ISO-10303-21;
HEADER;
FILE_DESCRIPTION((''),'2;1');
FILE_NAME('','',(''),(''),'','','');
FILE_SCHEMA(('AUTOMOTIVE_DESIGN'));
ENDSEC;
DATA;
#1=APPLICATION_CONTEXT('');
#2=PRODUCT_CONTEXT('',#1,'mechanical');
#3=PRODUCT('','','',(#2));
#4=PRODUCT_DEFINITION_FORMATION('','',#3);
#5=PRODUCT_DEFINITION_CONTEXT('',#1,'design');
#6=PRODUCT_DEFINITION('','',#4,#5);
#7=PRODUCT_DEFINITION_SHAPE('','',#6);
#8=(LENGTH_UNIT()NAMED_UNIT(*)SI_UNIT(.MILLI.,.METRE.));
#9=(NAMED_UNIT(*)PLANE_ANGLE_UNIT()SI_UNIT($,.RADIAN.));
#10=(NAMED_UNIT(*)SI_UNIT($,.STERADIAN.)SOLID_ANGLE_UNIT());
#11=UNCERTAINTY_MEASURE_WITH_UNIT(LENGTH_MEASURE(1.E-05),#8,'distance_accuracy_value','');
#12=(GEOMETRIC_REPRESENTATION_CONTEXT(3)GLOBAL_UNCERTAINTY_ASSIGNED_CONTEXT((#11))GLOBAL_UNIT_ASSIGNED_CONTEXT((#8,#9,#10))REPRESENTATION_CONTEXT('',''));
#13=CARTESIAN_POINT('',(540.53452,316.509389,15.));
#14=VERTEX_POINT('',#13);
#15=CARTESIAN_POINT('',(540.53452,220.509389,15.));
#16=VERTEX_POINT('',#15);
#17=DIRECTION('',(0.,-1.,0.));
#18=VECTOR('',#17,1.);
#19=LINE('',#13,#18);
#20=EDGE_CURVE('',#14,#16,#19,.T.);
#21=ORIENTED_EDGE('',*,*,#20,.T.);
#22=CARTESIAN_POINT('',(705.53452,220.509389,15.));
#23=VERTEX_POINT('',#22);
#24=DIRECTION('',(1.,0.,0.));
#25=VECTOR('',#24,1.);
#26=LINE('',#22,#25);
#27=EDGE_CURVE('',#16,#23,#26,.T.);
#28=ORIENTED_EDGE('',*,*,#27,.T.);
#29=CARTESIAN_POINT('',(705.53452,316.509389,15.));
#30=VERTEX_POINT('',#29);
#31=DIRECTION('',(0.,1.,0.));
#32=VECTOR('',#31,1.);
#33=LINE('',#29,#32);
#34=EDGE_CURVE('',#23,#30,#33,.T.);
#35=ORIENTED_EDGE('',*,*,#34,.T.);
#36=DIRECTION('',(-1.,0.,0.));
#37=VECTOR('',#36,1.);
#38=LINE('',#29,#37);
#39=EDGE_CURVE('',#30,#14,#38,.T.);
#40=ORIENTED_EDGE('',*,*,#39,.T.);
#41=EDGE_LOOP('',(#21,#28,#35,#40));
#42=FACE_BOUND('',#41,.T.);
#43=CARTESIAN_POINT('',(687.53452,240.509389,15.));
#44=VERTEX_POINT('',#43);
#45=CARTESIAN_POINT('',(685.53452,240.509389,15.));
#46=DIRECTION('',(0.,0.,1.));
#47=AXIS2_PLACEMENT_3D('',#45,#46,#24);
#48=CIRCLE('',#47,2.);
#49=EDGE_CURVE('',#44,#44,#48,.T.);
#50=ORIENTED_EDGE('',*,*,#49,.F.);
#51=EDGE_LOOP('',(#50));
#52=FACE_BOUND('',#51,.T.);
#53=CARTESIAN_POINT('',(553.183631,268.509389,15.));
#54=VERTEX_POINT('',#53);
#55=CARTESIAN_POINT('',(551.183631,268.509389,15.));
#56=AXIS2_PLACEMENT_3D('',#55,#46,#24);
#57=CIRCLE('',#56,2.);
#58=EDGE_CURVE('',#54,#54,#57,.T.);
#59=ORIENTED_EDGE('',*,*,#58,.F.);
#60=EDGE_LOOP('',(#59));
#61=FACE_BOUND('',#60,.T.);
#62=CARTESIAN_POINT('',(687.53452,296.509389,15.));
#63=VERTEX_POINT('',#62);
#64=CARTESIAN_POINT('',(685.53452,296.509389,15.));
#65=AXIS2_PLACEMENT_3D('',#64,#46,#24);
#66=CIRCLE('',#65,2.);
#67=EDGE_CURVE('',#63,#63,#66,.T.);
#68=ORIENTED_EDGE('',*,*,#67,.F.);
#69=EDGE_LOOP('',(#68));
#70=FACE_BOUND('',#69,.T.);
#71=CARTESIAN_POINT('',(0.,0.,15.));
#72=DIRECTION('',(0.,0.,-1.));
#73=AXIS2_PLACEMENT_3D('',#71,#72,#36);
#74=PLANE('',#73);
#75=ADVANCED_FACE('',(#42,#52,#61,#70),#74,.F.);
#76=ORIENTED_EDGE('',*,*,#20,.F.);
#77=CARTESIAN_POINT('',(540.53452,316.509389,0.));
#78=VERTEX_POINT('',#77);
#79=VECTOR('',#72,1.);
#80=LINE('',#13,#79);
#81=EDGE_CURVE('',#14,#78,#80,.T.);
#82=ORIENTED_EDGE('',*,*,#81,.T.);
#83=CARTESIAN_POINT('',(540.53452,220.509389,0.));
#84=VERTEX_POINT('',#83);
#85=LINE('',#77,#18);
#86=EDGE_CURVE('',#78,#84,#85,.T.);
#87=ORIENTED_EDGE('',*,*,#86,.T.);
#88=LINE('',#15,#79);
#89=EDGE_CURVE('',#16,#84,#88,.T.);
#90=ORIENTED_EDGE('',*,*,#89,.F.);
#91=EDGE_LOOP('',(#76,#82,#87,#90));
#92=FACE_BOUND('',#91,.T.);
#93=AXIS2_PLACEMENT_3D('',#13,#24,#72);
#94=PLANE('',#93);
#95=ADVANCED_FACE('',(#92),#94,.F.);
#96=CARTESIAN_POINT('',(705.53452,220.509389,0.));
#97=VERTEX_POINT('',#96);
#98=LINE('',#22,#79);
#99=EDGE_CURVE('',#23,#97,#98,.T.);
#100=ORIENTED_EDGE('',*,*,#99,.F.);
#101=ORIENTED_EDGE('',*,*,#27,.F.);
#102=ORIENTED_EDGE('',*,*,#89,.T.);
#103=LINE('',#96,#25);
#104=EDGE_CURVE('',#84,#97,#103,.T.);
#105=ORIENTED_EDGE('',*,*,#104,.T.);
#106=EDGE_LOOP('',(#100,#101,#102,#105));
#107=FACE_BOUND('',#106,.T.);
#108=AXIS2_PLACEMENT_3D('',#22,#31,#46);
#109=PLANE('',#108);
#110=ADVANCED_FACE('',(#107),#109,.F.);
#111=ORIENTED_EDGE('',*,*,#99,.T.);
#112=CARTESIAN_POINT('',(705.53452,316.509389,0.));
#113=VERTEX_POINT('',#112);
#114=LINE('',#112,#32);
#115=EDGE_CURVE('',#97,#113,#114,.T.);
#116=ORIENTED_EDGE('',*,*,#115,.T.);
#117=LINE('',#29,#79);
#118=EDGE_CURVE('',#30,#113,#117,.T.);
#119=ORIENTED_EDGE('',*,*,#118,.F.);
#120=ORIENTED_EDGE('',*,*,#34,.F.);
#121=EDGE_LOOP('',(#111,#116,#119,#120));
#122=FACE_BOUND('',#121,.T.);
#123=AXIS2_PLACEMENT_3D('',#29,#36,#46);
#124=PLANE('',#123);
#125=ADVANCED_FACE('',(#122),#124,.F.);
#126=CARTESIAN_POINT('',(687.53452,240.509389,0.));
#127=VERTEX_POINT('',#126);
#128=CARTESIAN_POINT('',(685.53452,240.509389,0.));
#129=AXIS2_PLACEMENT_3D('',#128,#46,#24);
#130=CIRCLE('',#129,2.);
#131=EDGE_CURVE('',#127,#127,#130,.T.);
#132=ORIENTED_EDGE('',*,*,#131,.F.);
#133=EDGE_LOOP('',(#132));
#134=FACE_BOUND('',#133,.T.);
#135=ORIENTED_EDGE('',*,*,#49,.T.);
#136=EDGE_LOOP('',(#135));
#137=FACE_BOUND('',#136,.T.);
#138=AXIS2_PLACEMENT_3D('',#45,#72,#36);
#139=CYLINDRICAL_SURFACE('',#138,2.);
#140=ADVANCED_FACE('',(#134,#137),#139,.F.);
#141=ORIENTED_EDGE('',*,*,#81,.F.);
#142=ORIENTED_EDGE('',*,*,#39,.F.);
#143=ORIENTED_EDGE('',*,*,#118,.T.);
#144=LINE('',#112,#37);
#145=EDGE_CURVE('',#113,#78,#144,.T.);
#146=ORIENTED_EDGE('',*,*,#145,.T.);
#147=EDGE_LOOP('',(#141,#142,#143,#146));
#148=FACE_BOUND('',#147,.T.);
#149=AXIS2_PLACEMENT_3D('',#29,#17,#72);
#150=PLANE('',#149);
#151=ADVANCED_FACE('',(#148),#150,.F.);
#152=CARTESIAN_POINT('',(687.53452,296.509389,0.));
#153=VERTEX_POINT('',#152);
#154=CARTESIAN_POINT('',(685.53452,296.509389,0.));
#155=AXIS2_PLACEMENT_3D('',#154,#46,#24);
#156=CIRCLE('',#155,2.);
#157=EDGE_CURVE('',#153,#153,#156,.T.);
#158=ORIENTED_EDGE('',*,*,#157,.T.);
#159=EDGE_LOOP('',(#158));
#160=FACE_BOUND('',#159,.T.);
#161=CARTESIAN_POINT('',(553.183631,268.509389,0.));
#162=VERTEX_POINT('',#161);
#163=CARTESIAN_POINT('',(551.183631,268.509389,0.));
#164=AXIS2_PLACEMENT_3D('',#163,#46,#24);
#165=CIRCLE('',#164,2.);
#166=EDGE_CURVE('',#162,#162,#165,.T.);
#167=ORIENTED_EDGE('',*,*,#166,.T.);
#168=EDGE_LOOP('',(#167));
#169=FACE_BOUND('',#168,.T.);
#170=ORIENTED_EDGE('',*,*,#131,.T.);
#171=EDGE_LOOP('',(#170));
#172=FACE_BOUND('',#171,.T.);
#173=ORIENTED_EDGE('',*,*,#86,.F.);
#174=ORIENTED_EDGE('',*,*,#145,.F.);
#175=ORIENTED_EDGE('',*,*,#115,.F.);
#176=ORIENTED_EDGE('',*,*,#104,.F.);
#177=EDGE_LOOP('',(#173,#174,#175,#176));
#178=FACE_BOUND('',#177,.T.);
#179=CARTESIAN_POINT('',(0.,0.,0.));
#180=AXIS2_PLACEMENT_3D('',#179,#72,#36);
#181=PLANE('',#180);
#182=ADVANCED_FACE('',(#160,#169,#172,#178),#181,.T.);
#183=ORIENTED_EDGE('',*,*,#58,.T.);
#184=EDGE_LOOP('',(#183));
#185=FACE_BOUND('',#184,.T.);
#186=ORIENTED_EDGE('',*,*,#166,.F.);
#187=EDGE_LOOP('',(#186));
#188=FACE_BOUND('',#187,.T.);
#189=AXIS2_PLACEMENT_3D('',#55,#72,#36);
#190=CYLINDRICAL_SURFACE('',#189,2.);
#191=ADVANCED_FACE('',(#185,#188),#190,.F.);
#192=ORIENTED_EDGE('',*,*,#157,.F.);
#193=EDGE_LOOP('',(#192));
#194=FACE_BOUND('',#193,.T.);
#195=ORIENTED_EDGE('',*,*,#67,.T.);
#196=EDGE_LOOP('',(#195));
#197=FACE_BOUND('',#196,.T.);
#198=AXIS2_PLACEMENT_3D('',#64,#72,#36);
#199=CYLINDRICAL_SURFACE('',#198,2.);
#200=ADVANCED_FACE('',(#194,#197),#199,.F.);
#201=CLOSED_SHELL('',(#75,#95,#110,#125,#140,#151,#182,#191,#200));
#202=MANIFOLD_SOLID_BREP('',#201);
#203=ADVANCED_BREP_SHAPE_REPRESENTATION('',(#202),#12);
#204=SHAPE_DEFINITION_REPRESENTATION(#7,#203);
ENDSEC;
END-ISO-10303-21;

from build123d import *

# Parameters (mm, degrees)
SKETCH1_W           = 165
SKETCH1_H           = 96
SKETCH1_R           = 2
BOSS_EXTRUDE1_DEPTH = 15


with BuildPart() as part:
    # Sketch1 → Boss-Extrude1 (new body)
    with BuildSketch(Plane.XY):
        with Locations((623.034520475, 268.509389187)):
            Rectangle(SKETCH1_W, SKETCH1_H)
        with Locations((685.534520475, 296.509389187)):
            Circle(SKETCH1_R, mode=Mode.SUBTRACT)
        with Locations((685.534520475, 240.509389187)):
            Circle(SKETCH1_R, mode=Mode.SUBTRACT)
        with Locations((551.183631115, 268.509389187)):
            Circle(SKETCH1_R, mode=Mode.SUBTRACT)
    extrude(amount=BOSS_EXTRUDE1_DEPTH)


solid = part.part
